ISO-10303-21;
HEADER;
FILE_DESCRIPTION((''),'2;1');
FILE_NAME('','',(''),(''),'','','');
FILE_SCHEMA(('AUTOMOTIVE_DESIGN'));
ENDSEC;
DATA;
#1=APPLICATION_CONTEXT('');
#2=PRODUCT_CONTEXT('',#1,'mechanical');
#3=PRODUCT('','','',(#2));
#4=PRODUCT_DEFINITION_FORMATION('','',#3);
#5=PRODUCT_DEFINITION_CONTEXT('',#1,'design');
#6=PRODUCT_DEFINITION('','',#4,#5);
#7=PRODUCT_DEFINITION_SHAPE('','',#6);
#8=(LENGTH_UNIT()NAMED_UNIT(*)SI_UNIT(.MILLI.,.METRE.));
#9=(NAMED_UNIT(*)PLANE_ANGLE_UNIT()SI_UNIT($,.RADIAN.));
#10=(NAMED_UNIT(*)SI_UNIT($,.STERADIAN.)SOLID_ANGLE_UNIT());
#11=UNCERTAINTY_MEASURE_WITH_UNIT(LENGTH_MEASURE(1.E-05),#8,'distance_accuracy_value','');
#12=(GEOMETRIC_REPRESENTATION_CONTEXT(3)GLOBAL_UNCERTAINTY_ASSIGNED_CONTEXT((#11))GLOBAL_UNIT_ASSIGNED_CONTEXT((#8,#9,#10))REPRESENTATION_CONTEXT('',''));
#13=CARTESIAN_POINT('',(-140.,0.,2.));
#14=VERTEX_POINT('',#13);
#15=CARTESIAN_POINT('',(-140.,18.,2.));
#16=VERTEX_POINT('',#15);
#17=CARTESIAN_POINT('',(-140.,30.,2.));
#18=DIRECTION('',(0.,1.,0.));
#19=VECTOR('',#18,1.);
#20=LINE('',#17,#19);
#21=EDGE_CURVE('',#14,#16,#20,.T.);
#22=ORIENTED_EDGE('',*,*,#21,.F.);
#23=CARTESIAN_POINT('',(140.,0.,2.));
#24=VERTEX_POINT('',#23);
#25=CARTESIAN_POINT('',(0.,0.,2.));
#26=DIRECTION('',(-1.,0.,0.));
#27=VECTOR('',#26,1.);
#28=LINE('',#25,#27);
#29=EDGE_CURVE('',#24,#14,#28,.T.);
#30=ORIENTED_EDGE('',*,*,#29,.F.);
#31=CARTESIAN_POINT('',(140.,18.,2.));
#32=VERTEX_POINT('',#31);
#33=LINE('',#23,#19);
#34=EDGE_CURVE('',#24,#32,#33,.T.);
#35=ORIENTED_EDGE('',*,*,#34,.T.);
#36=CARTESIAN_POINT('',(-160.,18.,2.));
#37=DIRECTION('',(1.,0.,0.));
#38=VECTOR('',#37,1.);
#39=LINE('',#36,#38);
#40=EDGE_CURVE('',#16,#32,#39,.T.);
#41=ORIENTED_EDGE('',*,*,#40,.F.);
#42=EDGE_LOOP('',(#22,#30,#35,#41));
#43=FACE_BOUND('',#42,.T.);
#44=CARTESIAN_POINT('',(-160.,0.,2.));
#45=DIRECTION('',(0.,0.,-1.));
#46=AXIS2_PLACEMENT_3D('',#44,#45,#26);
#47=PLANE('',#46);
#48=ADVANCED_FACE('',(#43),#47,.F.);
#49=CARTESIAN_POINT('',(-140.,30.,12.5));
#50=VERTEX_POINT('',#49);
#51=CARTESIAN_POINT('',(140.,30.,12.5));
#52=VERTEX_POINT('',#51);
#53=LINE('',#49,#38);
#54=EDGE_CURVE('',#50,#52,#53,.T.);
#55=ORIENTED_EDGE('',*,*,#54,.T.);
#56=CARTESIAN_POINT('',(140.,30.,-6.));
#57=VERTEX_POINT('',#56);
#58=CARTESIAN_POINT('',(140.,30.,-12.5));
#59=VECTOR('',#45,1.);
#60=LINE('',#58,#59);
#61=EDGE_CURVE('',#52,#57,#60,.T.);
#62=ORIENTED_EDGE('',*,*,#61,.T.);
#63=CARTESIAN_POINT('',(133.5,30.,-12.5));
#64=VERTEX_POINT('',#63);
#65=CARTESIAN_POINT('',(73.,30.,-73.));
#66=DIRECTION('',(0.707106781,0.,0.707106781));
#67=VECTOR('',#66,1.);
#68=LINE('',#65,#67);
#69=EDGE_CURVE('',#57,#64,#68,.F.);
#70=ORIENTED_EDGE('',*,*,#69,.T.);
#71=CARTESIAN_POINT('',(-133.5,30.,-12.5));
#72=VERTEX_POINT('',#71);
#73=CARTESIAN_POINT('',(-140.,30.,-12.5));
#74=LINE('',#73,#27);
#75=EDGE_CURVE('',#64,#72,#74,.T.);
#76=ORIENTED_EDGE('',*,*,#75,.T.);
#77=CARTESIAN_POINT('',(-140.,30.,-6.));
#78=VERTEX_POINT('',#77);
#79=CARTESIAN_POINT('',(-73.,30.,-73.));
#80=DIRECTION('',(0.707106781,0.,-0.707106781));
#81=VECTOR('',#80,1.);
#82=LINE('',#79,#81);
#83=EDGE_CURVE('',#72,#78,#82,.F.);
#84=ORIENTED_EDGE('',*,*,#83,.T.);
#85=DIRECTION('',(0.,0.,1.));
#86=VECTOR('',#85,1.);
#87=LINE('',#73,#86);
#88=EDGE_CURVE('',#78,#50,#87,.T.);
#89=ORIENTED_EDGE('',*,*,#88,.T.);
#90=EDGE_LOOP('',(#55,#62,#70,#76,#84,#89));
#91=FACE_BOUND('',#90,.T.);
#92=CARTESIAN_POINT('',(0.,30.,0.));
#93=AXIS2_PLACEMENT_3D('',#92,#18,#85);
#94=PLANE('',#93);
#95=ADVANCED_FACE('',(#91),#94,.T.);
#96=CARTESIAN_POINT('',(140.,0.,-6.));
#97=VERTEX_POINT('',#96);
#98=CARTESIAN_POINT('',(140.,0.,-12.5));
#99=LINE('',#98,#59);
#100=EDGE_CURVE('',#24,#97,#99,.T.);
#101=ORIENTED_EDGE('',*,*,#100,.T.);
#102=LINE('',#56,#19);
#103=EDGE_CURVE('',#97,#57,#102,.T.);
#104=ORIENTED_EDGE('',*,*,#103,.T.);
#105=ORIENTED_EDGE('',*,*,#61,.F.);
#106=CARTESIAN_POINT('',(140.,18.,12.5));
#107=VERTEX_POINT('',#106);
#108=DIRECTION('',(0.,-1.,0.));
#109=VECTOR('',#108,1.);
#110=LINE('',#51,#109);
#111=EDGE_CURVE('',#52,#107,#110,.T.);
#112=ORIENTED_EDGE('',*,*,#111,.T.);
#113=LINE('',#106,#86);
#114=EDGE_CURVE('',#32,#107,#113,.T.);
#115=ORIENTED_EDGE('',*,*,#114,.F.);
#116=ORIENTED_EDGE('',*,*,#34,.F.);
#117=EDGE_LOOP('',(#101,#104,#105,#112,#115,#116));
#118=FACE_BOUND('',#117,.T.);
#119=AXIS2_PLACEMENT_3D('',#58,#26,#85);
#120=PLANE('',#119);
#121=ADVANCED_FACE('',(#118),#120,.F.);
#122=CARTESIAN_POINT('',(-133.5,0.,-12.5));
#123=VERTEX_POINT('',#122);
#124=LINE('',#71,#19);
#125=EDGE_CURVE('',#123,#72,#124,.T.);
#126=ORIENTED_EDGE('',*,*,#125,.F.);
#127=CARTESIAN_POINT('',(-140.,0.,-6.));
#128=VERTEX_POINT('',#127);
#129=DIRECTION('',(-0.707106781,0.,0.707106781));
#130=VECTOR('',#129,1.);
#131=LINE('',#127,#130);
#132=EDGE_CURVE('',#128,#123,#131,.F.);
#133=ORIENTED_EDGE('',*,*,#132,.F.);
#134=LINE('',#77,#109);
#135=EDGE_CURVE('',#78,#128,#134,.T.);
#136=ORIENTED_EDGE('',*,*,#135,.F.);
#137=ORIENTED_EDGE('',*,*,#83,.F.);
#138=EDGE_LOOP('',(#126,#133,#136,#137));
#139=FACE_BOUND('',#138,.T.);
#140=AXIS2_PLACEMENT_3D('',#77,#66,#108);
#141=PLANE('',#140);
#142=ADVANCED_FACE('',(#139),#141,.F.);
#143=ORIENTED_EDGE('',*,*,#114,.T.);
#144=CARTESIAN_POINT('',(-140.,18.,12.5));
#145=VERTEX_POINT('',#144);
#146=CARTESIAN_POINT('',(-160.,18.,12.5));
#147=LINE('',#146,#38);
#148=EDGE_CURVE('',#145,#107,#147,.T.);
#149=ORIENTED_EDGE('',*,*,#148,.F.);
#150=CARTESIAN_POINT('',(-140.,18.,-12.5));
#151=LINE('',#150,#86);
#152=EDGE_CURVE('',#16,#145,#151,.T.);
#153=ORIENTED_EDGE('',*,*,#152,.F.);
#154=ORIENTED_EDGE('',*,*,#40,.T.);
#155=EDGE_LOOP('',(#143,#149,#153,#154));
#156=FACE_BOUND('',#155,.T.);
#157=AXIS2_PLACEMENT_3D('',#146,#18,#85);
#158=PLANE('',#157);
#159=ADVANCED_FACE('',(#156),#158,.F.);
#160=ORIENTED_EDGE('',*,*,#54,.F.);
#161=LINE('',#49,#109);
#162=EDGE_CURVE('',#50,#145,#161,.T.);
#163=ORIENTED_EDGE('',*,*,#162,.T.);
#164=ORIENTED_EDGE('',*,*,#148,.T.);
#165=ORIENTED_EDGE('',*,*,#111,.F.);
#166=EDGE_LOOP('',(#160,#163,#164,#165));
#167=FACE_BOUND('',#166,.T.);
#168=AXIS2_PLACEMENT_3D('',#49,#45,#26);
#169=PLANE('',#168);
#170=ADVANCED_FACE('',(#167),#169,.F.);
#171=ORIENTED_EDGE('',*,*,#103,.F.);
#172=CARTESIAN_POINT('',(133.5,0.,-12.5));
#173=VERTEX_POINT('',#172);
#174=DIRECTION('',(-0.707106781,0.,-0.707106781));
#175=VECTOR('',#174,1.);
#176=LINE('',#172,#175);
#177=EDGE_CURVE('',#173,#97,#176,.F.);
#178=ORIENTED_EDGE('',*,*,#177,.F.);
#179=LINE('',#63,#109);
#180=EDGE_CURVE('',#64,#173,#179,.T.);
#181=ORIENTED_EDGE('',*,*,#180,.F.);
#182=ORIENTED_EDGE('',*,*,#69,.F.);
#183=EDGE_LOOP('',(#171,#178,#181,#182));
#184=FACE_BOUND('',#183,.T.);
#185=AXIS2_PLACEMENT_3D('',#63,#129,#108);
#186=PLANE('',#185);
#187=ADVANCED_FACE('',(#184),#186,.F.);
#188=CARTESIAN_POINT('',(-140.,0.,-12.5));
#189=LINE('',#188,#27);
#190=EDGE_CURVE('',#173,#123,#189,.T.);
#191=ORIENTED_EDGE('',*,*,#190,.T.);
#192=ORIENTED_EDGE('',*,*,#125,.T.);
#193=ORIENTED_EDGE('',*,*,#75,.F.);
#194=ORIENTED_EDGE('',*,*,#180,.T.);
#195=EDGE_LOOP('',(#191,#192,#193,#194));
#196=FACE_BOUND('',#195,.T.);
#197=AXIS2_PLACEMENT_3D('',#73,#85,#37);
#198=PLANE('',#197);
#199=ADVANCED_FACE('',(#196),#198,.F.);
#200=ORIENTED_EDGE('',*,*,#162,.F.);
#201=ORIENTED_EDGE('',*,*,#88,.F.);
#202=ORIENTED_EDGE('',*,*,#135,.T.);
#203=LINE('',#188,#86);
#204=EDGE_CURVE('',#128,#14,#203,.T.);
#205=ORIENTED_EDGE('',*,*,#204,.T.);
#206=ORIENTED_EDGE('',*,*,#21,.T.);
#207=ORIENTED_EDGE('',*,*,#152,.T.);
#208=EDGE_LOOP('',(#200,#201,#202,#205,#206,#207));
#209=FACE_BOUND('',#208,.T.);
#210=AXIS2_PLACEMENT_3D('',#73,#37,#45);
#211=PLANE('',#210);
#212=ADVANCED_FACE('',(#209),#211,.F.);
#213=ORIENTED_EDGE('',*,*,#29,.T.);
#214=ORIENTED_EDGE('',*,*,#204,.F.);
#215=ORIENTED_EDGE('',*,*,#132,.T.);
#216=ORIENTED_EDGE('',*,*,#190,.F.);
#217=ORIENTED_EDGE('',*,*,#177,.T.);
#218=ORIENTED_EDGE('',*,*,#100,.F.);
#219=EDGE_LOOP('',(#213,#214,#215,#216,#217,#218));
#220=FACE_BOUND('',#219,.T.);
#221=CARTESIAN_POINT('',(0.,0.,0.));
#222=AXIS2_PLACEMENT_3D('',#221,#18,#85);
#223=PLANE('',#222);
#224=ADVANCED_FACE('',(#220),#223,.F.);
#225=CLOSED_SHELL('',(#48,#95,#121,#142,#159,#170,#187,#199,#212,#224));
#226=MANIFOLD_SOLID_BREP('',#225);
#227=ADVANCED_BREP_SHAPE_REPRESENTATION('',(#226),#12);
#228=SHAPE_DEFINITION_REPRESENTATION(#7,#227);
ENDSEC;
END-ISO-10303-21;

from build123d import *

# Parameters (mm, degrees)
SKETCH1_W           = 280
SKETCH1_H           = 25
BOSS_EXTRUDE1_DEPTH = 30
SKETCH2_W           = 10.5
SKETCH2_H           = 18
CUT_EXTRUDE1_DEPTH  = 300
CHAMFER1_SIZE       = 6.5


with BuildPart() as part:
    # Sketch1 → Boss-Extrude1 (new body)
    with BuildSketch(Plane(origin=(0, 0, 0), x_dir=(1, 0, 0), z_dir=(0, 1, 0))):
        Rectangle(SKETCH1_W, SKETCH1_H)
    extrude(amount=BOSS_EXTRUDE1_DEPTH)

    # Sketch2 → Cut-Extrude1 (cut)
    with BuildSketch(Plane(origin=(140, 0, 0), x_dir=(0, 0, -1), z_dir=(1, 0, 0))):
        with Locations((-7.25, 9)):
            Rectangle(SKETCH2_W, SKETCH2_H)
    extrude(amount=-CUT_EXTRUDE1_DEPTH, mode=Mode.SUBTRACT)

    # Chamfer1
    chamfer1_edges = [part.edges().sort_by_distance(p)[0] for p in [
        (-140, 15, -12.5),
        (140, 15, -12.5),
    ]]
    chamfer(chamfer1_edges, length=CHAMFER1_SIZE)


solid = part.part
